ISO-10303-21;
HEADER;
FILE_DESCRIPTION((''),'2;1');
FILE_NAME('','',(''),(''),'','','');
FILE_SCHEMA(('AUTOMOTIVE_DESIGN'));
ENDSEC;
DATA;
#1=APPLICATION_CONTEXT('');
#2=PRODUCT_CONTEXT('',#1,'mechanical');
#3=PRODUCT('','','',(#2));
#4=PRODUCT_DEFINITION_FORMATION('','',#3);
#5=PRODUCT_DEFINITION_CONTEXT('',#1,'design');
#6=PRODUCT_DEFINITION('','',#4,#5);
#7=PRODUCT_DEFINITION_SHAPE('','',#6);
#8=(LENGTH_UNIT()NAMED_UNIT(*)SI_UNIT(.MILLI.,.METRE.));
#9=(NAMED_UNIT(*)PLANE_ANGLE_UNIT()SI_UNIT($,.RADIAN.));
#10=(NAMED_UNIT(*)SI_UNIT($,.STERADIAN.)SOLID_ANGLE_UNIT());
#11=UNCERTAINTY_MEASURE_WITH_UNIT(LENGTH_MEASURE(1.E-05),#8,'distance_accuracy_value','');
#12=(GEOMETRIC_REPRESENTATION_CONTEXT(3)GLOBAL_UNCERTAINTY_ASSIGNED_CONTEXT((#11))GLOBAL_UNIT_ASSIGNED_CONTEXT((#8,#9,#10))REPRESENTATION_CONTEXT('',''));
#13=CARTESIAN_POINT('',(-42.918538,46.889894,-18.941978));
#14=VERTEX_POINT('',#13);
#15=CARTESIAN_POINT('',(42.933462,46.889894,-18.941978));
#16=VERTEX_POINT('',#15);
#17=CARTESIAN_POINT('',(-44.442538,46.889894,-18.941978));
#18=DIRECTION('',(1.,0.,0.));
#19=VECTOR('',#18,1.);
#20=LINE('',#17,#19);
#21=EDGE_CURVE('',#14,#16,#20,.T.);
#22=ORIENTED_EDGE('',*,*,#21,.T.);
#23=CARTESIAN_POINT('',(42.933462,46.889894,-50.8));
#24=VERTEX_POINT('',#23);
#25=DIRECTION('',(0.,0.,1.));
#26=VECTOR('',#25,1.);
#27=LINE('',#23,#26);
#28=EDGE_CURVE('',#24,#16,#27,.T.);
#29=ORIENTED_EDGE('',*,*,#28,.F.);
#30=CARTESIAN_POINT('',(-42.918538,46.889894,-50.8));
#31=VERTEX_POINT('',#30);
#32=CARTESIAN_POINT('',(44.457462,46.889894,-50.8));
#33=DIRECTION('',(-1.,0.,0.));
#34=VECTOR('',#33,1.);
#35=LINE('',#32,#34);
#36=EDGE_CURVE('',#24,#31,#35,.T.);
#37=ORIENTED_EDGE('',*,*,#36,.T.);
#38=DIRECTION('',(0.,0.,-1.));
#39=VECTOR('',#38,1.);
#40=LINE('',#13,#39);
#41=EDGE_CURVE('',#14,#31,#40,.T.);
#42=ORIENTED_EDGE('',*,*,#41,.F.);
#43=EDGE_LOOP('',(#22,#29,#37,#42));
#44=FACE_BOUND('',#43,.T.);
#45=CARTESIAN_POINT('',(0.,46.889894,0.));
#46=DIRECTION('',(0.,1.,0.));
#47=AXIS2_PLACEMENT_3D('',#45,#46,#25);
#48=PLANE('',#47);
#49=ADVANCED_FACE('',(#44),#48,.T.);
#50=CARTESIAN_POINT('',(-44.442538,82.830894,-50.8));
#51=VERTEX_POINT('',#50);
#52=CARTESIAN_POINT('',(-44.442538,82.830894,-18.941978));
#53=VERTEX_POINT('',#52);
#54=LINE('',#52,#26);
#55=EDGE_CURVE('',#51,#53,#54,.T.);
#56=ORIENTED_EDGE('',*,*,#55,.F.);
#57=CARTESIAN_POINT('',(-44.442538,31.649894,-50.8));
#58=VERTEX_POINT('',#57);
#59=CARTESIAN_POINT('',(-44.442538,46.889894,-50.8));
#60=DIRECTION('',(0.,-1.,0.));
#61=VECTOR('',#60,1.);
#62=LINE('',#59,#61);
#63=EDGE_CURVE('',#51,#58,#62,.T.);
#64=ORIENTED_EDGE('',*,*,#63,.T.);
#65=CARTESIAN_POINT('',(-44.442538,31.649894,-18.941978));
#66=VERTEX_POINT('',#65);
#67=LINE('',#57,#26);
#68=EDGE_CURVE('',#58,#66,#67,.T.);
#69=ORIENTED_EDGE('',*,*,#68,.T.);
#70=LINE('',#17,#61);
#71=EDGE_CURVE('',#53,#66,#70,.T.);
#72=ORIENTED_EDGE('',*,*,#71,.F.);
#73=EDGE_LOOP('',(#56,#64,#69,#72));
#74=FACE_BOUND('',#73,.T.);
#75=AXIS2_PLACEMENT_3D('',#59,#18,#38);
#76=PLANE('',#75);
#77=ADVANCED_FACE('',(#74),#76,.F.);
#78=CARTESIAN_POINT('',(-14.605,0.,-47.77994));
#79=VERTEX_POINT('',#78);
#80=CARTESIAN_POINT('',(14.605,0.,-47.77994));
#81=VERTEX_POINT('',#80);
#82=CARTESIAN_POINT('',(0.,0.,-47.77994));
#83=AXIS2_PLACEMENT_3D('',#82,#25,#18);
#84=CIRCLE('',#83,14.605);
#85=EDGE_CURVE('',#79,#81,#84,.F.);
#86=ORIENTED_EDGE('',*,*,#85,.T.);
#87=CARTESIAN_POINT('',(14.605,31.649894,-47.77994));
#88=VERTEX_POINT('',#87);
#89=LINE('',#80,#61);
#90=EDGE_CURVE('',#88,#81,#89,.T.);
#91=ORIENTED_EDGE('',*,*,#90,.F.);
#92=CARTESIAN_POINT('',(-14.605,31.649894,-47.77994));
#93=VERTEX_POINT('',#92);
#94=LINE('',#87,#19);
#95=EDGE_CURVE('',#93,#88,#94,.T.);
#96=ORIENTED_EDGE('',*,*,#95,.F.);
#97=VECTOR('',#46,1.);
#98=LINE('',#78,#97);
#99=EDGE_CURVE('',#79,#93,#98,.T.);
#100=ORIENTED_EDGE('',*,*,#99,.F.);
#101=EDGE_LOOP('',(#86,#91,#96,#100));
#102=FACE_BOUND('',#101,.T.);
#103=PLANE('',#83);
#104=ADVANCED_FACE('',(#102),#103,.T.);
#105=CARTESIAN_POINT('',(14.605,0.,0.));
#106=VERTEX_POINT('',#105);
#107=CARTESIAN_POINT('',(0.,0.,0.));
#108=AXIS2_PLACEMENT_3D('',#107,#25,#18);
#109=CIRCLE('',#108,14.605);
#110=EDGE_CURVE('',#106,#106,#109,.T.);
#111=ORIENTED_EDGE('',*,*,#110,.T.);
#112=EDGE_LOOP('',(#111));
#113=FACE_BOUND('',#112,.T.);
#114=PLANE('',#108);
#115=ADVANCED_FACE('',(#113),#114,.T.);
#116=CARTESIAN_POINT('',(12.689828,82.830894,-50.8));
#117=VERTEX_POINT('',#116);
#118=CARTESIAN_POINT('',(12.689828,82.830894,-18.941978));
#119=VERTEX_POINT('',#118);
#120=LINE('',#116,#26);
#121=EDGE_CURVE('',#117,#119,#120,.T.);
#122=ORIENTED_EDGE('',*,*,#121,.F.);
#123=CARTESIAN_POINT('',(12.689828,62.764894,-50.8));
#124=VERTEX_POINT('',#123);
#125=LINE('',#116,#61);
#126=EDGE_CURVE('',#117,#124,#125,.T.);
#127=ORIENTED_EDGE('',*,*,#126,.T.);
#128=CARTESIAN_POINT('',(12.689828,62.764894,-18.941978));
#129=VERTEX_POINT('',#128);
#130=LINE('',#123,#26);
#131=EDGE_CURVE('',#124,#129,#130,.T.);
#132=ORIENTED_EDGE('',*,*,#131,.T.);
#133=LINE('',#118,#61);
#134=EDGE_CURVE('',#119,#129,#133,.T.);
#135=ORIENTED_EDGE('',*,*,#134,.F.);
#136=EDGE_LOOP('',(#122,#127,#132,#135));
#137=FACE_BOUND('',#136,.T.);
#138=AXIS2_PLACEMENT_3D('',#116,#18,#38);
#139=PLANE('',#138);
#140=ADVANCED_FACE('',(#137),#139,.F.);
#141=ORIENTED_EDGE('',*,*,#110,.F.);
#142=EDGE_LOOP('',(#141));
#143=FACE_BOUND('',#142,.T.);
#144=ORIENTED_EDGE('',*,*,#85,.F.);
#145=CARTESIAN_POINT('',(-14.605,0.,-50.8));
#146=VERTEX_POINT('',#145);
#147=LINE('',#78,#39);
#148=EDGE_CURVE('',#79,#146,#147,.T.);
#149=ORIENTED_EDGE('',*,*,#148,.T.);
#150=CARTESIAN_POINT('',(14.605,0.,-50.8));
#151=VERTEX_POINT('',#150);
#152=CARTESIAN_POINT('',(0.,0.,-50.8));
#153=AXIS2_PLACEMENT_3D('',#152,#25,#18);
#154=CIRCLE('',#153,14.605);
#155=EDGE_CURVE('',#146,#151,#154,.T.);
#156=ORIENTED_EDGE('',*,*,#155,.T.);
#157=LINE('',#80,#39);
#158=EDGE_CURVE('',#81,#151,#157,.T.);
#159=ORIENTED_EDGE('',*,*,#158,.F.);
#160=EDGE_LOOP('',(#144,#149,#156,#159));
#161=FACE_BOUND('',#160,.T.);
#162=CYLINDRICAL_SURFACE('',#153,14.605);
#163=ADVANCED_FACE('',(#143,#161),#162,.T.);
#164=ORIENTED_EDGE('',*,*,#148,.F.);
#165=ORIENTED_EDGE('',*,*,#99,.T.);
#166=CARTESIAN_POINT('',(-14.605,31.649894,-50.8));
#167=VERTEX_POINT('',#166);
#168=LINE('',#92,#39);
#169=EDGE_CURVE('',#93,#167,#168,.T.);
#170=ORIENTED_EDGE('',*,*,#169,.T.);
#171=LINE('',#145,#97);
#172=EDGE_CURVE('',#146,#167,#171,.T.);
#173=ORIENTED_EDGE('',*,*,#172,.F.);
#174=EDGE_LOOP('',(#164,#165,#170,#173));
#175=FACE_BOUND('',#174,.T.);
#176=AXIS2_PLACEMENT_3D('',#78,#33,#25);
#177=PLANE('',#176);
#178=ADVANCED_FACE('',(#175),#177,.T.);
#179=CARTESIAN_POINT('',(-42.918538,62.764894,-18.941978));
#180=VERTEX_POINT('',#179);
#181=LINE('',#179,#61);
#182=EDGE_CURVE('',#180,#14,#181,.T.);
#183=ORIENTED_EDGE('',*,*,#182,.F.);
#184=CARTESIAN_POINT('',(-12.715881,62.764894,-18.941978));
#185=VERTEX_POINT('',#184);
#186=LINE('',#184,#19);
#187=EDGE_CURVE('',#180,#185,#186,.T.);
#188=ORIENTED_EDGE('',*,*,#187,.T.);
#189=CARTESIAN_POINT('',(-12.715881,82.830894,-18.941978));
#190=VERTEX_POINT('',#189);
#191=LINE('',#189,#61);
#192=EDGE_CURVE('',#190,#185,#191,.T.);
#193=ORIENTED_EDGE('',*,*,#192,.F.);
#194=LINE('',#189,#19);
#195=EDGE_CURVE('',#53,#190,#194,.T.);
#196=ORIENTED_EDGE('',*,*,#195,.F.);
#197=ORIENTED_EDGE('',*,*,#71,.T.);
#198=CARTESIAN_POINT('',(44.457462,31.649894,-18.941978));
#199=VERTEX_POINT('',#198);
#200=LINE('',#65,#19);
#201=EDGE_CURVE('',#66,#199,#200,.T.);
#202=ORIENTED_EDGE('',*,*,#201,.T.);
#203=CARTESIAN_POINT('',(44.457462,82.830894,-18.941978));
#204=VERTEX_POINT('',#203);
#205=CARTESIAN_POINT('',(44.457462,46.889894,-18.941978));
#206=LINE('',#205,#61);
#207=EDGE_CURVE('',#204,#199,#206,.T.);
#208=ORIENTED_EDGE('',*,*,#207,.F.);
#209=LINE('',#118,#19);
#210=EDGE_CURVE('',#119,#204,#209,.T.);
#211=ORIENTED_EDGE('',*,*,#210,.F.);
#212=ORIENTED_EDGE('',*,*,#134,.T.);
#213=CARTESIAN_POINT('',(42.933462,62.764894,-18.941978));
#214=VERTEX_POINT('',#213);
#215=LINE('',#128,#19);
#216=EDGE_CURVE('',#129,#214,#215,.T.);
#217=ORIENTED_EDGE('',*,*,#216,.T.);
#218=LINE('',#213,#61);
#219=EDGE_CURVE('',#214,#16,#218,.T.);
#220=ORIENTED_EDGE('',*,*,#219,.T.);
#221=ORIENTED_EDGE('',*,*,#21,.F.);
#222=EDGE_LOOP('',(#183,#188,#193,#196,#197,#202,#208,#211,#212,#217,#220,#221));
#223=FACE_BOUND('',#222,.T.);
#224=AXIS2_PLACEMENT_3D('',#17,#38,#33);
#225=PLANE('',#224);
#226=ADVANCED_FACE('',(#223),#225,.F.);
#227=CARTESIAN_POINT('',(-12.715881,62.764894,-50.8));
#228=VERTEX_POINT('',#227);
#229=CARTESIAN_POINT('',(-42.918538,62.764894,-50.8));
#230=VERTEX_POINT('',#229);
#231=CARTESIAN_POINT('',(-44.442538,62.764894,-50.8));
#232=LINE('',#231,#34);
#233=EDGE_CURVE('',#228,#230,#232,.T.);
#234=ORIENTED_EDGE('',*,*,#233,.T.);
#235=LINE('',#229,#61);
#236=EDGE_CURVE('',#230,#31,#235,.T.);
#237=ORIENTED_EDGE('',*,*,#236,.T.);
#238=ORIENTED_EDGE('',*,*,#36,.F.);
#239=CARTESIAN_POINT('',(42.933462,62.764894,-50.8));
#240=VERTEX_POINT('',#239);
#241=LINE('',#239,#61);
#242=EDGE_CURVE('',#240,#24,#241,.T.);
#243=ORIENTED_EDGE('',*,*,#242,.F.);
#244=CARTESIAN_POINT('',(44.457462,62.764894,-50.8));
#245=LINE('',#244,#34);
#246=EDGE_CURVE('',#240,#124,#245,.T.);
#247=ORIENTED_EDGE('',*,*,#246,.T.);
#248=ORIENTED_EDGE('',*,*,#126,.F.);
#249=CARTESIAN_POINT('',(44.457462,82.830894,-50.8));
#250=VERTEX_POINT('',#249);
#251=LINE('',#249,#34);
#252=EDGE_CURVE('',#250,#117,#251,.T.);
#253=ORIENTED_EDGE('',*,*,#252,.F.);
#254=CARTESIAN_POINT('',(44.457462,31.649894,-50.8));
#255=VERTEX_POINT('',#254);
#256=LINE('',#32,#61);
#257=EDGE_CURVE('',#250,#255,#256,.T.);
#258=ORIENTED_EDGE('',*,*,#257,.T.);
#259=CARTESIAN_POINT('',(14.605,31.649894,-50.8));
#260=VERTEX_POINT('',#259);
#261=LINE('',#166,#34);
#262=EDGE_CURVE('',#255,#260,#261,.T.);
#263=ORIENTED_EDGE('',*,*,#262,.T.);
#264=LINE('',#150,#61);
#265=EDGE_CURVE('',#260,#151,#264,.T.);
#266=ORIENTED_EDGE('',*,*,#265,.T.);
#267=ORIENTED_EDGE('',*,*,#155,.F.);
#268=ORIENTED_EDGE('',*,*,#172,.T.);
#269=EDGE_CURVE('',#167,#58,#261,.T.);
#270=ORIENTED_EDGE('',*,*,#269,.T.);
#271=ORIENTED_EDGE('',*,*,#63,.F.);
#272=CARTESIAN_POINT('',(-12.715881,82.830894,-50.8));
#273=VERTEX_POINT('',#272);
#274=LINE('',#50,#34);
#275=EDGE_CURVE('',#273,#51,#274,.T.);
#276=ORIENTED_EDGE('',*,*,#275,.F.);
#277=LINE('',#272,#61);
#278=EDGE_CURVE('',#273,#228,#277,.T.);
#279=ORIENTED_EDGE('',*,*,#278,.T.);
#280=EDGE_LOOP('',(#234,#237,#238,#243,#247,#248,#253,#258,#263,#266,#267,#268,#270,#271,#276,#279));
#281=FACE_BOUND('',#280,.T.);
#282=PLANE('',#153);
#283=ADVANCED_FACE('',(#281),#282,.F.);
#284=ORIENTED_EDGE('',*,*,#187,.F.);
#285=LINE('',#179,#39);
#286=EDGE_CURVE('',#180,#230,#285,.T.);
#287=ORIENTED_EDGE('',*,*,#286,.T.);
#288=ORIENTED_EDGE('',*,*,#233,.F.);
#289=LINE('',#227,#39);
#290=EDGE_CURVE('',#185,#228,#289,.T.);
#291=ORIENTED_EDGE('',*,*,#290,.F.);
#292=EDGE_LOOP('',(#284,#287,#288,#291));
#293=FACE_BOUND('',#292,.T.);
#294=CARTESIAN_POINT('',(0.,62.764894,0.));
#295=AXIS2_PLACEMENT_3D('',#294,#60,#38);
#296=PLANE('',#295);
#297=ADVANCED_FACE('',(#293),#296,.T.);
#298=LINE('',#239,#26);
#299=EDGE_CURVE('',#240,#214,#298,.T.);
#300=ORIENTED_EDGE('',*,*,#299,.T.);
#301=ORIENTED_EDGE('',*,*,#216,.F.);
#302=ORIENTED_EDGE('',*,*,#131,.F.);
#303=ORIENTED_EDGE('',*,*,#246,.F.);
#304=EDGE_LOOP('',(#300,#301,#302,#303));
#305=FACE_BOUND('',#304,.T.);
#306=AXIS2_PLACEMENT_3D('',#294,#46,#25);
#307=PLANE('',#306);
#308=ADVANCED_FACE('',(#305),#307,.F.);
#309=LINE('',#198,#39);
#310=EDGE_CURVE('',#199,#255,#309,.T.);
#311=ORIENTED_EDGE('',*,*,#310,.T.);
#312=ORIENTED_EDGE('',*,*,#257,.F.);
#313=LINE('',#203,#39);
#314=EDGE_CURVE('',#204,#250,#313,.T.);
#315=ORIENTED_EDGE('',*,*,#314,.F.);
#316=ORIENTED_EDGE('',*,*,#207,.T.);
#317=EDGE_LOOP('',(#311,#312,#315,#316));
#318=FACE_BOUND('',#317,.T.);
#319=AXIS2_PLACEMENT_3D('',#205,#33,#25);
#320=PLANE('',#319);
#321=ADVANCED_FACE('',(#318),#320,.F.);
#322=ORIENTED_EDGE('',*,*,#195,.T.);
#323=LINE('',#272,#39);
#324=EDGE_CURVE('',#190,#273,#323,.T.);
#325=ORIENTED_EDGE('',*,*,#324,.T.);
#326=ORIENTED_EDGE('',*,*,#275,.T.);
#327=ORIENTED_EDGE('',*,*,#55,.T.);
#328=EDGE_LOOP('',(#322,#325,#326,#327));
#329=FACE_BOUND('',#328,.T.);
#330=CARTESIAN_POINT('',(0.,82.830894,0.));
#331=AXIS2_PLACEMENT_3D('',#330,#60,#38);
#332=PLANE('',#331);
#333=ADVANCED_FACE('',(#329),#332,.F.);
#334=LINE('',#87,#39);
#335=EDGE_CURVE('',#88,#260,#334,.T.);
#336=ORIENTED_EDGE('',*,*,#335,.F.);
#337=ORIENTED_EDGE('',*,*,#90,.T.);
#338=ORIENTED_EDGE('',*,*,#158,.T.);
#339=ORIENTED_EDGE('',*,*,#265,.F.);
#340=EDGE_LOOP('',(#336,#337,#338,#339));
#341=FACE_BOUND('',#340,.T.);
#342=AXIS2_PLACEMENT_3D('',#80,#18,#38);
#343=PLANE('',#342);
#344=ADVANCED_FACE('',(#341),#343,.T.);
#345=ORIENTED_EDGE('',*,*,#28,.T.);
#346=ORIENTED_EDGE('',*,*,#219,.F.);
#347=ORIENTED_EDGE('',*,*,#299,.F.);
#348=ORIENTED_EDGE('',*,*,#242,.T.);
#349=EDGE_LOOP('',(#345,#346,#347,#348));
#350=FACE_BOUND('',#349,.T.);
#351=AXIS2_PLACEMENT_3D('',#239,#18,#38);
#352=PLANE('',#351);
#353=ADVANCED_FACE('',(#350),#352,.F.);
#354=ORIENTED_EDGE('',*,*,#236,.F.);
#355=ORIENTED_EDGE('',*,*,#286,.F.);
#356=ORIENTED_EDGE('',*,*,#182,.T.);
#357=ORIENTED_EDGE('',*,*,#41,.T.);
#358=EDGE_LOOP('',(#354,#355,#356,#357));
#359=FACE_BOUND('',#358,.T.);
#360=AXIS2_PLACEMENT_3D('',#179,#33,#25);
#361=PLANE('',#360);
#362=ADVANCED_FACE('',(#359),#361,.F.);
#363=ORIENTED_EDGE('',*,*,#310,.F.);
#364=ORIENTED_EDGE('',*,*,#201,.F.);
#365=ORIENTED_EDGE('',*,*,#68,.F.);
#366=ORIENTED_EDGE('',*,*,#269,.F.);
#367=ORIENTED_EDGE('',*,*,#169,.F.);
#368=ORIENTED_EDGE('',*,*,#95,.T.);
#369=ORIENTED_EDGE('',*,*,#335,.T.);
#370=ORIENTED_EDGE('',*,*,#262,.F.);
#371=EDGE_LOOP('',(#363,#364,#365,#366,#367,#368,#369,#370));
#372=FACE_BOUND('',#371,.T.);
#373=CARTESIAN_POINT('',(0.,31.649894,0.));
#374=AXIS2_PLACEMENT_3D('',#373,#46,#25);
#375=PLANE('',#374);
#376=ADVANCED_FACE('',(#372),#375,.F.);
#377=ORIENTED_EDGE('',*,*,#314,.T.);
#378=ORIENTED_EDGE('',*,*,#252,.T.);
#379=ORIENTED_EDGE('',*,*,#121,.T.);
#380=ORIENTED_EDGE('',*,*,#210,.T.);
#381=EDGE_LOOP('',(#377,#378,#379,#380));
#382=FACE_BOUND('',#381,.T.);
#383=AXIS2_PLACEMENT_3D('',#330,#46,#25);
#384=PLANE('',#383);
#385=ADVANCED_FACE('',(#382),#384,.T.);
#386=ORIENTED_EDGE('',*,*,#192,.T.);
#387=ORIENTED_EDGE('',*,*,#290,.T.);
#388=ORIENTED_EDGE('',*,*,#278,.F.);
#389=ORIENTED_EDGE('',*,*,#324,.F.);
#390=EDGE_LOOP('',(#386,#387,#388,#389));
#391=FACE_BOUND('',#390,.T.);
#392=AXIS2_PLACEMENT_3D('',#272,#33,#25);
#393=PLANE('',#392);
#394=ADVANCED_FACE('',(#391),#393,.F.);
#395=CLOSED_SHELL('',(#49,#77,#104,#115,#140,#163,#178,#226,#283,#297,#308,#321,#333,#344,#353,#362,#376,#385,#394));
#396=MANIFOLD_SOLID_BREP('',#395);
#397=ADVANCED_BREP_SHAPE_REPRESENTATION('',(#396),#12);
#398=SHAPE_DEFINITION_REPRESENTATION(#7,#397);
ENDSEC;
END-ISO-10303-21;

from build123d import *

# Parameters (mm, degrees)
SKETCH1_R           = 14.605
BOSS_EXTRUDE1_DEPTH = 50.8
SKETCH2_W           = 29.21
SKETCH2_H           = 31.649894197
BOSS_EXTRUDE3_DEPTH = 3.02006
BOSS_EXTRUDE4_DEPTH = 15.24
SKETCH4_W           = 1.524
SKETCH4_H           = 31.858022221
BOSS_EXTRUDE6_DEPTH = 15.875
SKETCH5_W           = 31.726657408
SKETCH5_H           = 31.858022221
SKETCH5_W_2         = 31.767634357
BOSS_EXTRUDE7_DEPTH = 20.066


with BuildPart() as part:
    # Sketch1 → Boss-Extrude1 (new body)
    with BuildSketch(Plane.XY):
        Circle(SKETCH1_R)
    extrude(amount=-BOSS_EXTRUDE1_DEPTH)

    # Sketch2 → Boss-Extrude3 (add)
    with BuildSketch(Plane(origin=(0, 0, -50.8), x_dir=(-1, 0, 0), z_dir=(0, 0, -1))):
        with Locations((0, 15.824947099)):
            Rectangle(SKETCH2_W, SKETCH2_H)
    extrude(amount=-BOSS_EXTRUDE3_DEPTH)

    # Sketch3 → Boss-Extrude4 (add)
    with BuildSketch(Plane(origin=(0, 31.649894197, 0), x_dir=(1, 0, 0), z_dir=(0, 1, 0))):
        Polygon((-14.605, 50.8), (-44.442538052, 50.8), (-44.442538052, 18.941977779), (44.457461948, 18.941977779), (44.457461948, 50.8), align=None)
    extrude(amount=BOSS_EXTRUDE4_DEPTH)

    # Sketch4 → Boss-Extrude6 (add)
    with BuildSketch(Plane(origin=(0, 46.889894197, 0), x_dir=(1, 0, 0), z_dir=(0, 1, 0))):
        with Locations((43.695461948, 34.87098889)):
            Rectangle(SKETCH4_W, SKETCH4_H)
        with Locations((-43.680538052, 34.87098889)):
            Rectangle(SKETCH4_W, SKETCH4_H)
    extrude(amount=BOSS_EXTRUDE6_DEPTH)

    # Sketch5 → Boss-Extrude7 (add)
    with BuildSketch(Plane(origin=(0, 62.764894197, 0), x_dir=(1, 0, 0), z_dir=(0, 1, 0))):
        with Locations((-28.579209348, 34.87098889)):
            Rectangle(SKETCH5_W, SKETCH5_H)
        with Locations((28.573644769, 34.87098889)):
            Rectangle(SKETCH5_W_2, SKETCH5_H)
    extrude(amount=BOSS_EXTRUDE7_DEPTH)


solid = part.part
